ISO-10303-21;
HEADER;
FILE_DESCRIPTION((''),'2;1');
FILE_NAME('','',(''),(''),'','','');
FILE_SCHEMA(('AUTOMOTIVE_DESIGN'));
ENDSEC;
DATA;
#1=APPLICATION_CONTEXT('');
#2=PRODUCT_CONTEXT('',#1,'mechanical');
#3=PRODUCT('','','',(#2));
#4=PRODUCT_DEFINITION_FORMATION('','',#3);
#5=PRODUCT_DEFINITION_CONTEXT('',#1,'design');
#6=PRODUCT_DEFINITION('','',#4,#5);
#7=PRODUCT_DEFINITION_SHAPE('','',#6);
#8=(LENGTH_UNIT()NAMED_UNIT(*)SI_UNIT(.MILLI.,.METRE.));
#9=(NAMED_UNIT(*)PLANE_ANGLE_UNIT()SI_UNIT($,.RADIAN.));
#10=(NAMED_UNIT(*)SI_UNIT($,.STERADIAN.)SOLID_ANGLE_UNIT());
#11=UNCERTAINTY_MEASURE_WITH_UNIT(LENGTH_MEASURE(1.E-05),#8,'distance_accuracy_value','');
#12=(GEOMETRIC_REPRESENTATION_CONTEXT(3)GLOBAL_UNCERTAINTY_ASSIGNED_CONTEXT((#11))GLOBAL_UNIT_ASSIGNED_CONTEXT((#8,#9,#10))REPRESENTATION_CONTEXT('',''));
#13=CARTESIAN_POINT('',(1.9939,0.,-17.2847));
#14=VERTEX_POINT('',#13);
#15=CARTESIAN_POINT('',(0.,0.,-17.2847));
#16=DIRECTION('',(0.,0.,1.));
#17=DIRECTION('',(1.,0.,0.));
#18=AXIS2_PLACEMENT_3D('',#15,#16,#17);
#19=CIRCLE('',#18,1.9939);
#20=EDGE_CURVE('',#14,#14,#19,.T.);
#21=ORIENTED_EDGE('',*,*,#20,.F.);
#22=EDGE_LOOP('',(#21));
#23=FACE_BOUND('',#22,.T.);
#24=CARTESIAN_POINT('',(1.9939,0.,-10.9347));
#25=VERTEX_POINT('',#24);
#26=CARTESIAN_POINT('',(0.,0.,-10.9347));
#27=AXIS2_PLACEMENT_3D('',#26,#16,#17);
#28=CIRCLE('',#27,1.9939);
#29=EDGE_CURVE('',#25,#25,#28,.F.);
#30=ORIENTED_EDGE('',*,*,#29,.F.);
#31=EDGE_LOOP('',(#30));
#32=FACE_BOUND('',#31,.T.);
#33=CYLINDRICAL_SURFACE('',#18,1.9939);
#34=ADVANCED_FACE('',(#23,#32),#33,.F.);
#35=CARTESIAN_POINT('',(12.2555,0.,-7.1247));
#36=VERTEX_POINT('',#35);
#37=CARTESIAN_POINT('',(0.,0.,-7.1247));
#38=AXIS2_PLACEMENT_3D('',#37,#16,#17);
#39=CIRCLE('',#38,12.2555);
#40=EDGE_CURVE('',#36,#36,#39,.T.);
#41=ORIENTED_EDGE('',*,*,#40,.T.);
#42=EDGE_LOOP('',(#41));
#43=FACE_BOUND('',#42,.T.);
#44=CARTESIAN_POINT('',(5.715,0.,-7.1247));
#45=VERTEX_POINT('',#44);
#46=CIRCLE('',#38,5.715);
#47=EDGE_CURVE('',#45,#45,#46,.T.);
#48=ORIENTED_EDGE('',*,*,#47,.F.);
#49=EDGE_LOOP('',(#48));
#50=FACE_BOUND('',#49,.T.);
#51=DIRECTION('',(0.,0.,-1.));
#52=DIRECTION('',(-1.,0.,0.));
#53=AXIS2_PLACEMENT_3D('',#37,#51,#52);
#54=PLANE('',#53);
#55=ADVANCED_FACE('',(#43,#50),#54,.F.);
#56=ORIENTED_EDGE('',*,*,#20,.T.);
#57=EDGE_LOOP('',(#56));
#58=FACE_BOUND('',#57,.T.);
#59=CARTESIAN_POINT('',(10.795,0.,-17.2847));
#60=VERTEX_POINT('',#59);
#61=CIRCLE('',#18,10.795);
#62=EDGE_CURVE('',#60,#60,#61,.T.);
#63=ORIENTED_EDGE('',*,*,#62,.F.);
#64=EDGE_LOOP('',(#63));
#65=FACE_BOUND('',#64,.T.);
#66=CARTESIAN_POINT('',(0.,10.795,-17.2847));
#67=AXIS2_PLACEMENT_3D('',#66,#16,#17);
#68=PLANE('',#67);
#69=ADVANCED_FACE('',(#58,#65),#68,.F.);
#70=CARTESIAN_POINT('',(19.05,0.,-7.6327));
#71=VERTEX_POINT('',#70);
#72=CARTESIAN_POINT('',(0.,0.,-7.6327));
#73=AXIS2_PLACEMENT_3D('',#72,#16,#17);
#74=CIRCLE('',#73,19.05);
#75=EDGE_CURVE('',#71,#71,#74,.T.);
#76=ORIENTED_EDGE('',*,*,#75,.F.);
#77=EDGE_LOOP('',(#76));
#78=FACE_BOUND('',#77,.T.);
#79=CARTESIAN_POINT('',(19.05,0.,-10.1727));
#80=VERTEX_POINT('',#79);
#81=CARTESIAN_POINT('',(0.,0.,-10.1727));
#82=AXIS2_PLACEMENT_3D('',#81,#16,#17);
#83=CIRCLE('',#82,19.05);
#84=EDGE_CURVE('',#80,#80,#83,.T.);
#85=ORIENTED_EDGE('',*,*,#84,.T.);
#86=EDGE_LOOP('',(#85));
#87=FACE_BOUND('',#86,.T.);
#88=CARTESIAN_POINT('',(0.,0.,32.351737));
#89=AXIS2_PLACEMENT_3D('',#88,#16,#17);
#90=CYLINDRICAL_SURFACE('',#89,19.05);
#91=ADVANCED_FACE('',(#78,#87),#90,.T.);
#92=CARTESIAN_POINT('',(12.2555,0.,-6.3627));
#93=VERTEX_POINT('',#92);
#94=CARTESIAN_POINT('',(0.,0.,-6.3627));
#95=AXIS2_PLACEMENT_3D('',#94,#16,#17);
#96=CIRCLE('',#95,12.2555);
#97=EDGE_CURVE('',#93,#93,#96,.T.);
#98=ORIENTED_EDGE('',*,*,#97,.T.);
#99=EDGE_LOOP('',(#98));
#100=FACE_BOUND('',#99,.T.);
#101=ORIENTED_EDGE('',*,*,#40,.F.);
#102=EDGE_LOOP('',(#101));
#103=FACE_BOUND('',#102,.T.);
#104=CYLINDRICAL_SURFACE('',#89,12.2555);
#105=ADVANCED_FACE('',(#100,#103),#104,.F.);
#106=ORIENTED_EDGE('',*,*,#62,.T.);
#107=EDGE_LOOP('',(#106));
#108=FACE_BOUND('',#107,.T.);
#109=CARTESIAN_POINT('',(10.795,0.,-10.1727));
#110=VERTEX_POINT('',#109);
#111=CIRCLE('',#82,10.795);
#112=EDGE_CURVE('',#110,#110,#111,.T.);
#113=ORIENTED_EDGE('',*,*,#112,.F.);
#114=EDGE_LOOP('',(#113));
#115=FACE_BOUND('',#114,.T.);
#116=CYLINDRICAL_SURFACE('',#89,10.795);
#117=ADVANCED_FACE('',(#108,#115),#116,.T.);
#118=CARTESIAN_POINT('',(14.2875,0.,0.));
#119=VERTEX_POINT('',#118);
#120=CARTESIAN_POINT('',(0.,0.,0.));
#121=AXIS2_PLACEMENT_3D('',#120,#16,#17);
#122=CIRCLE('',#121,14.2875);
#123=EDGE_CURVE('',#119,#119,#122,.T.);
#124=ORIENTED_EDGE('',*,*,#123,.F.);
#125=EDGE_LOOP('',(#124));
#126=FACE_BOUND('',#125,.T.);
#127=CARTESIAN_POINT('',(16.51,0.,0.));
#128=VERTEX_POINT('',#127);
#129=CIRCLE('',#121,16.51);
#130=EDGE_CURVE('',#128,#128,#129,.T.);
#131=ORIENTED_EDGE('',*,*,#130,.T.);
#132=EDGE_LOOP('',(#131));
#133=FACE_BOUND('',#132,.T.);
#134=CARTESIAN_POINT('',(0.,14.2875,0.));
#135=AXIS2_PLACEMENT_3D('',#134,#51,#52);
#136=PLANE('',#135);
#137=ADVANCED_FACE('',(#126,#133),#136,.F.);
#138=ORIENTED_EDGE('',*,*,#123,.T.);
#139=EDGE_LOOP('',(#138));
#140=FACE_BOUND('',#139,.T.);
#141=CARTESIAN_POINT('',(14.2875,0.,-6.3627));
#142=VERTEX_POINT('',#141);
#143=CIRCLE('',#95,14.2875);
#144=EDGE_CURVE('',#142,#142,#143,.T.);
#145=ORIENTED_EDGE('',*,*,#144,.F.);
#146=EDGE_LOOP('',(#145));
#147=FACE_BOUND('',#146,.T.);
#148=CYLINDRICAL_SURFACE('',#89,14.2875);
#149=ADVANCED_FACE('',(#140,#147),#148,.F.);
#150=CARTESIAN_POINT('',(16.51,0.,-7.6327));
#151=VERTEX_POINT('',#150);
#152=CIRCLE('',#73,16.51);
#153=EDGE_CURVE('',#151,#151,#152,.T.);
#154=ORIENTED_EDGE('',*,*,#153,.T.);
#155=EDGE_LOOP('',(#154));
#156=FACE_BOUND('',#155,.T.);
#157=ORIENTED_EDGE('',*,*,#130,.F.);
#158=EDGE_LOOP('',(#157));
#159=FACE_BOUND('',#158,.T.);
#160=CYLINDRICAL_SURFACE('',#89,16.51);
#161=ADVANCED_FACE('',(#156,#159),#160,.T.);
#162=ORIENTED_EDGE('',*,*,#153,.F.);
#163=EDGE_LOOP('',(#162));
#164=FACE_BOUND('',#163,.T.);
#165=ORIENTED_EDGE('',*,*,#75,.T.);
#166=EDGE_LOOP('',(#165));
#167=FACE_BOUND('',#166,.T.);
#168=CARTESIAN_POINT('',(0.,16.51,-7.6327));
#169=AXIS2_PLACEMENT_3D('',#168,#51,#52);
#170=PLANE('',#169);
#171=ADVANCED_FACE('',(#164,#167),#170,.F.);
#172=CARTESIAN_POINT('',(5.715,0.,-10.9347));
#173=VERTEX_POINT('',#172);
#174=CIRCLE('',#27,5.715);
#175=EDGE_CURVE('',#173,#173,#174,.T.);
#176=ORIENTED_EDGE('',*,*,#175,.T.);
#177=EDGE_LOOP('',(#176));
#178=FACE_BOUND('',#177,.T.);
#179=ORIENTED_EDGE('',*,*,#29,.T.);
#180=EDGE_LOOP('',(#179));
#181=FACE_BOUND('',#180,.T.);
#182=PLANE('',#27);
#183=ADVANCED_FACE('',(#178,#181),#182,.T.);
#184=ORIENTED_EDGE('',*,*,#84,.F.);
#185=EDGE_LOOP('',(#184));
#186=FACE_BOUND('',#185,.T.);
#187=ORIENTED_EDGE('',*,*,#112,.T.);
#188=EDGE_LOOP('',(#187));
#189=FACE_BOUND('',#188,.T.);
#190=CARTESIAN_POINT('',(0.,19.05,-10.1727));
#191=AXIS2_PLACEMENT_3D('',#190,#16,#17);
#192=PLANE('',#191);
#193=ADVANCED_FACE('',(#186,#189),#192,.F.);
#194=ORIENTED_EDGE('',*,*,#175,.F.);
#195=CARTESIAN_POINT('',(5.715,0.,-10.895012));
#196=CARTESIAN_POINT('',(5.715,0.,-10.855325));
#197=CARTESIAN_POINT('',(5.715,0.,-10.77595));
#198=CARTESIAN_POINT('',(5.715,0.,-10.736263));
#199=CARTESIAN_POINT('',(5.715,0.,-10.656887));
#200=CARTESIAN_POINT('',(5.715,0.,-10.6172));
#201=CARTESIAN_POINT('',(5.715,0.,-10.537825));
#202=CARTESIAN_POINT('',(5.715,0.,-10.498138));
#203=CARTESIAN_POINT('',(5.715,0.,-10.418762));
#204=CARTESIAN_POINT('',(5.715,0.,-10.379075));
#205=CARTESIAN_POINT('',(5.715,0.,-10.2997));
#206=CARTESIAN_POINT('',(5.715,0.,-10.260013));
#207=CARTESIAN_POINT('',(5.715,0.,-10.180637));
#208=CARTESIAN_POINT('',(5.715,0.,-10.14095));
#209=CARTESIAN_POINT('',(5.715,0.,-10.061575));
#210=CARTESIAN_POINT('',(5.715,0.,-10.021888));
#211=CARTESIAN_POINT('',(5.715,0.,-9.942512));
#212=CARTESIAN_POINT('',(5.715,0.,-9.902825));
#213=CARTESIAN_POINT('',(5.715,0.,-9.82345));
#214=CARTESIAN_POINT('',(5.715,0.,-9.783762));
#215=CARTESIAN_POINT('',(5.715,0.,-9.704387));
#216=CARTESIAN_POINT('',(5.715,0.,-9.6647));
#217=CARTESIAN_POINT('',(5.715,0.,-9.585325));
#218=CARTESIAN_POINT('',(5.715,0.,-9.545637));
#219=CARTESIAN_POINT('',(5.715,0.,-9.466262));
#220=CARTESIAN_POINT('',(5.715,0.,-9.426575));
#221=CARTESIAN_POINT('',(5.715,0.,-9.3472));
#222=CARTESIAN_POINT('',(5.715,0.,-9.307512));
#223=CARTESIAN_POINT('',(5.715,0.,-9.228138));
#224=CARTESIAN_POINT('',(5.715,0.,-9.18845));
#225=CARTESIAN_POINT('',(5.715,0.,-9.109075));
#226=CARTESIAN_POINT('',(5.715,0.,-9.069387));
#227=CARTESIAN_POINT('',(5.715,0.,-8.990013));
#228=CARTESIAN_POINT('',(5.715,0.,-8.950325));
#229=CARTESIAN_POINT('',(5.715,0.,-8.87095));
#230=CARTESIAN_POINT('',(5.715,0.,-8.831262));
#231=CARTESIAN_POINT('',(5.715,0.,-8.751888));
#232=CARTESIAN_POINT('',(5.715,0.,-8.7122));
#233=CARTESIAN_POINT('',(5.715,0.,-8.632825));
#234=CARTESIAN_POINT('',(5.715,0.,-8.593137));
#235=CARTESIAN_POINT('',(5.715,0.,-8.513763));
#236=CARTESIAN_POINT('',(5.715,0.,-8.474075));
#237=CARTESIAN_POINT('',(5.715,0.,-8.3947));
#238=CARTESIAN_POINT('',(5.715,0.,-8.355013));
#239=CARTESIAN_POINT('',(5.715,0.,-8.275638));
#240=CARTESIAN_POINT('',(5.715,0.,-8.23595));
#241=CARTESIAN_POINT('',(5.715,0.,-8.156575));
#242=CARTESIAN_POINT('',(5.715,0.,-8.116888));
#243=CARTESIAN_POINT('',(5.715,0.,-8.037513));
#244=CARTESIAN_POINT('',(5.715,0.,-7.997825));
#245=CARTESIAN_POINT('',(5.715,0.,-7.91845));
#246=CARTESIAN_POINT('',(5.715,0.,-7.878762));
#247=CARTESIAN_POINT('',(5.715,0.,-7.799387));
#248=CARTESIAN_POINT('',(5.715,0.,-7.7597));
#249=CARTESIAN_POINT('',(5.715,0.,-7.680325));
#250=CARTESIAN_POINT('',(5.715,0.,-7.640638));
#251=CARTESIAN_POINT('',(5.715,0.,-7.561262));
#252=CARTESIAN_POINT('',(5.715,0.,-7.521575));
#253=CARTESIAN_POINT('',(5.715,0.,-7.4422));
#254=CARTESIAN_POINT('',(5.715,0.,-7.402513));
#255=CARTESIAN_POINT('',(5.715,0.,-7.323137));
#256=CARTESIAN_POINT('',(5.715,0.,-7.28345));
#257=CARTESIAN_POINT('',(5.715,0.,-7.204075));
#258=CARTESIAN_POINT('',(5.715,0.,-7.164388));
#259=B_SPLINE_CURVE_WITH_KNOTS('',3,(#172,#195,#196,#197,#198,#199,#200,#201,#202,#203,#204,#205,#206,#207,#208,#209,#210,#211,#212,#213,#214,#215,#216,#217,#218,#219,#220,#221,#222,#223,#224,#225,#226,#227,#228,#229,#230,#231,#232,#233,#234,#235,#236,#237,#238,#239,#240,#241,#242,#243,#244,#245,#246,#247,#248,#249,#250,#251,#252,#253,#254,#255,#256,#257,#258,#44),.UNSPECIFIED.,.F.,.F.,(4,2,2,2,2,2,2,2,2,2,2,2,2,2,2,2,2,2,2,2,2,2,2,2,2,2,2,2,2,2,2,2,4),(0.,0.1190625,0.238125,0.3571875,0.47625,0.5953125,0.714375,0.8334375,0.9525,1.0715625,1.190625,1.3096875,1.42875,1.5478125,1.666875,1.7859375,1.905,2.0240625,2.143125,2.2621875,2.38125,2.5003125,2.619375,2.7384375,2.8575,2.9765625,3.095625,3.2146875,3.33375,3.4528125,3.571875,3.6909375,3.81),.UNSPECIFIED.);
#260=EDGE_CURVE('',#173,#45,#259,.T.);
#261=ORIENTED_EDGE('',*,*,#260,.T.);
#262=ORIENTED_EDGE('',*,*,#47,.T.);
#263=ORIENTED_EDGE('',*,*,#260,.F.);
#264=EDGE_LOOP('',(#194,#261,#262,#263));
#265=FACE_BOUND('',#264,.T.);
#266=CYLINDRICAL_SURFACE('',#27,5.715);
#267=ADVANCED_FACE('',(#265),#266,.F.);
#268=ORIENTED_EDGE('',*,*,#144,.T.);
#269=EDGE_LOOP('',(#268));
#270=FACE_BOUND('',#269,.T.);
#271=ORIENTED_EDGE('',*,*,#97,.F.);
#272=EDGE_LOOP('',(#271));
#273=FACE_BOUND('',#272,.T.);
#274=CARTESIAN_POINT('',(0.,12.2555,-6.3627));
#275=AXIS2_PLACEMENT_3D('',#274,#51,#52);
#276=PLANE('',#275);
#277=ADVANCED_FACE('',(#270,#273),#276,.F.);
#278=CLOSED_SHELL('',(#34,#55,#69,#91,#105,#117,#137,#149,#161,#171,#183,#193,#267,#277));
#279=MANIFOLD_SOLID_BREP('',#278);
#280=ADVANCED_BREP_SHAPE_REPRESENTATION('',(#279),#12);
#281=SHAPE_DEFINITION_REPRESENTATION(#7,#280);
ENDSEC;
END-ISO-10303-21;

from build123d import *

# Parameters (mm, degrees)
SKETCH2_R          = 1.9939
CUT_EXTRUDE1_DEPTH = 29.792891484
SKETCH3_R          = 5.715
CUT_EXTRUDE2_DEPTH = 3.81


with BuildPart() as part:
    # Sketch1 → Revolve1 (revolve)
    with BuildSketch(Plane(origin=(0, 0, 0), x_dir=(0, 0, -1), z_dir=(1, 0, 0)), mode=Mode.PRIVATE) as revolve1_sk:
        Polygon((17.2847, 0), (7.1247, 0), (7.1247, 12.2555), (6.3627, 12.2555), (6.3627, 14.2875), (0, 14.2875), (0, 16.51), (7.6327, 16.51), (7.6327, 19.05), (10.1727, 19.05), (10.1727, 10.795), (17.2847, 10.795), align=None)
    revolve(revolve1_sk.sketch.rotate(Axis((0, 0, 32.351737074), (0, 0, -1)), 90), axis=Axis((0, 0, 32.351737074), (0, 0, -1)))

    # Sketch2 → Cut-Extrude1 (cut, through all)
    with BuildSketch(Plane.XY.offset(-7.1247)):
        Circle(SKETCH2_R)
    extrude(amount=-CUT_EXTRUDE1_DEPTH, mode=Mode.SUBTRACT)

    # Sketch3 → Cut-Extrude2 (cut)
    with BuildSketch(Plane.XY.offset(-7.1247)):
        Circle(SKETCH3_R)
    extrude(amount=-CUT_EXTRUDE2_DEPTH, mode=Mode.SUBTRACT)


solid = part.part
